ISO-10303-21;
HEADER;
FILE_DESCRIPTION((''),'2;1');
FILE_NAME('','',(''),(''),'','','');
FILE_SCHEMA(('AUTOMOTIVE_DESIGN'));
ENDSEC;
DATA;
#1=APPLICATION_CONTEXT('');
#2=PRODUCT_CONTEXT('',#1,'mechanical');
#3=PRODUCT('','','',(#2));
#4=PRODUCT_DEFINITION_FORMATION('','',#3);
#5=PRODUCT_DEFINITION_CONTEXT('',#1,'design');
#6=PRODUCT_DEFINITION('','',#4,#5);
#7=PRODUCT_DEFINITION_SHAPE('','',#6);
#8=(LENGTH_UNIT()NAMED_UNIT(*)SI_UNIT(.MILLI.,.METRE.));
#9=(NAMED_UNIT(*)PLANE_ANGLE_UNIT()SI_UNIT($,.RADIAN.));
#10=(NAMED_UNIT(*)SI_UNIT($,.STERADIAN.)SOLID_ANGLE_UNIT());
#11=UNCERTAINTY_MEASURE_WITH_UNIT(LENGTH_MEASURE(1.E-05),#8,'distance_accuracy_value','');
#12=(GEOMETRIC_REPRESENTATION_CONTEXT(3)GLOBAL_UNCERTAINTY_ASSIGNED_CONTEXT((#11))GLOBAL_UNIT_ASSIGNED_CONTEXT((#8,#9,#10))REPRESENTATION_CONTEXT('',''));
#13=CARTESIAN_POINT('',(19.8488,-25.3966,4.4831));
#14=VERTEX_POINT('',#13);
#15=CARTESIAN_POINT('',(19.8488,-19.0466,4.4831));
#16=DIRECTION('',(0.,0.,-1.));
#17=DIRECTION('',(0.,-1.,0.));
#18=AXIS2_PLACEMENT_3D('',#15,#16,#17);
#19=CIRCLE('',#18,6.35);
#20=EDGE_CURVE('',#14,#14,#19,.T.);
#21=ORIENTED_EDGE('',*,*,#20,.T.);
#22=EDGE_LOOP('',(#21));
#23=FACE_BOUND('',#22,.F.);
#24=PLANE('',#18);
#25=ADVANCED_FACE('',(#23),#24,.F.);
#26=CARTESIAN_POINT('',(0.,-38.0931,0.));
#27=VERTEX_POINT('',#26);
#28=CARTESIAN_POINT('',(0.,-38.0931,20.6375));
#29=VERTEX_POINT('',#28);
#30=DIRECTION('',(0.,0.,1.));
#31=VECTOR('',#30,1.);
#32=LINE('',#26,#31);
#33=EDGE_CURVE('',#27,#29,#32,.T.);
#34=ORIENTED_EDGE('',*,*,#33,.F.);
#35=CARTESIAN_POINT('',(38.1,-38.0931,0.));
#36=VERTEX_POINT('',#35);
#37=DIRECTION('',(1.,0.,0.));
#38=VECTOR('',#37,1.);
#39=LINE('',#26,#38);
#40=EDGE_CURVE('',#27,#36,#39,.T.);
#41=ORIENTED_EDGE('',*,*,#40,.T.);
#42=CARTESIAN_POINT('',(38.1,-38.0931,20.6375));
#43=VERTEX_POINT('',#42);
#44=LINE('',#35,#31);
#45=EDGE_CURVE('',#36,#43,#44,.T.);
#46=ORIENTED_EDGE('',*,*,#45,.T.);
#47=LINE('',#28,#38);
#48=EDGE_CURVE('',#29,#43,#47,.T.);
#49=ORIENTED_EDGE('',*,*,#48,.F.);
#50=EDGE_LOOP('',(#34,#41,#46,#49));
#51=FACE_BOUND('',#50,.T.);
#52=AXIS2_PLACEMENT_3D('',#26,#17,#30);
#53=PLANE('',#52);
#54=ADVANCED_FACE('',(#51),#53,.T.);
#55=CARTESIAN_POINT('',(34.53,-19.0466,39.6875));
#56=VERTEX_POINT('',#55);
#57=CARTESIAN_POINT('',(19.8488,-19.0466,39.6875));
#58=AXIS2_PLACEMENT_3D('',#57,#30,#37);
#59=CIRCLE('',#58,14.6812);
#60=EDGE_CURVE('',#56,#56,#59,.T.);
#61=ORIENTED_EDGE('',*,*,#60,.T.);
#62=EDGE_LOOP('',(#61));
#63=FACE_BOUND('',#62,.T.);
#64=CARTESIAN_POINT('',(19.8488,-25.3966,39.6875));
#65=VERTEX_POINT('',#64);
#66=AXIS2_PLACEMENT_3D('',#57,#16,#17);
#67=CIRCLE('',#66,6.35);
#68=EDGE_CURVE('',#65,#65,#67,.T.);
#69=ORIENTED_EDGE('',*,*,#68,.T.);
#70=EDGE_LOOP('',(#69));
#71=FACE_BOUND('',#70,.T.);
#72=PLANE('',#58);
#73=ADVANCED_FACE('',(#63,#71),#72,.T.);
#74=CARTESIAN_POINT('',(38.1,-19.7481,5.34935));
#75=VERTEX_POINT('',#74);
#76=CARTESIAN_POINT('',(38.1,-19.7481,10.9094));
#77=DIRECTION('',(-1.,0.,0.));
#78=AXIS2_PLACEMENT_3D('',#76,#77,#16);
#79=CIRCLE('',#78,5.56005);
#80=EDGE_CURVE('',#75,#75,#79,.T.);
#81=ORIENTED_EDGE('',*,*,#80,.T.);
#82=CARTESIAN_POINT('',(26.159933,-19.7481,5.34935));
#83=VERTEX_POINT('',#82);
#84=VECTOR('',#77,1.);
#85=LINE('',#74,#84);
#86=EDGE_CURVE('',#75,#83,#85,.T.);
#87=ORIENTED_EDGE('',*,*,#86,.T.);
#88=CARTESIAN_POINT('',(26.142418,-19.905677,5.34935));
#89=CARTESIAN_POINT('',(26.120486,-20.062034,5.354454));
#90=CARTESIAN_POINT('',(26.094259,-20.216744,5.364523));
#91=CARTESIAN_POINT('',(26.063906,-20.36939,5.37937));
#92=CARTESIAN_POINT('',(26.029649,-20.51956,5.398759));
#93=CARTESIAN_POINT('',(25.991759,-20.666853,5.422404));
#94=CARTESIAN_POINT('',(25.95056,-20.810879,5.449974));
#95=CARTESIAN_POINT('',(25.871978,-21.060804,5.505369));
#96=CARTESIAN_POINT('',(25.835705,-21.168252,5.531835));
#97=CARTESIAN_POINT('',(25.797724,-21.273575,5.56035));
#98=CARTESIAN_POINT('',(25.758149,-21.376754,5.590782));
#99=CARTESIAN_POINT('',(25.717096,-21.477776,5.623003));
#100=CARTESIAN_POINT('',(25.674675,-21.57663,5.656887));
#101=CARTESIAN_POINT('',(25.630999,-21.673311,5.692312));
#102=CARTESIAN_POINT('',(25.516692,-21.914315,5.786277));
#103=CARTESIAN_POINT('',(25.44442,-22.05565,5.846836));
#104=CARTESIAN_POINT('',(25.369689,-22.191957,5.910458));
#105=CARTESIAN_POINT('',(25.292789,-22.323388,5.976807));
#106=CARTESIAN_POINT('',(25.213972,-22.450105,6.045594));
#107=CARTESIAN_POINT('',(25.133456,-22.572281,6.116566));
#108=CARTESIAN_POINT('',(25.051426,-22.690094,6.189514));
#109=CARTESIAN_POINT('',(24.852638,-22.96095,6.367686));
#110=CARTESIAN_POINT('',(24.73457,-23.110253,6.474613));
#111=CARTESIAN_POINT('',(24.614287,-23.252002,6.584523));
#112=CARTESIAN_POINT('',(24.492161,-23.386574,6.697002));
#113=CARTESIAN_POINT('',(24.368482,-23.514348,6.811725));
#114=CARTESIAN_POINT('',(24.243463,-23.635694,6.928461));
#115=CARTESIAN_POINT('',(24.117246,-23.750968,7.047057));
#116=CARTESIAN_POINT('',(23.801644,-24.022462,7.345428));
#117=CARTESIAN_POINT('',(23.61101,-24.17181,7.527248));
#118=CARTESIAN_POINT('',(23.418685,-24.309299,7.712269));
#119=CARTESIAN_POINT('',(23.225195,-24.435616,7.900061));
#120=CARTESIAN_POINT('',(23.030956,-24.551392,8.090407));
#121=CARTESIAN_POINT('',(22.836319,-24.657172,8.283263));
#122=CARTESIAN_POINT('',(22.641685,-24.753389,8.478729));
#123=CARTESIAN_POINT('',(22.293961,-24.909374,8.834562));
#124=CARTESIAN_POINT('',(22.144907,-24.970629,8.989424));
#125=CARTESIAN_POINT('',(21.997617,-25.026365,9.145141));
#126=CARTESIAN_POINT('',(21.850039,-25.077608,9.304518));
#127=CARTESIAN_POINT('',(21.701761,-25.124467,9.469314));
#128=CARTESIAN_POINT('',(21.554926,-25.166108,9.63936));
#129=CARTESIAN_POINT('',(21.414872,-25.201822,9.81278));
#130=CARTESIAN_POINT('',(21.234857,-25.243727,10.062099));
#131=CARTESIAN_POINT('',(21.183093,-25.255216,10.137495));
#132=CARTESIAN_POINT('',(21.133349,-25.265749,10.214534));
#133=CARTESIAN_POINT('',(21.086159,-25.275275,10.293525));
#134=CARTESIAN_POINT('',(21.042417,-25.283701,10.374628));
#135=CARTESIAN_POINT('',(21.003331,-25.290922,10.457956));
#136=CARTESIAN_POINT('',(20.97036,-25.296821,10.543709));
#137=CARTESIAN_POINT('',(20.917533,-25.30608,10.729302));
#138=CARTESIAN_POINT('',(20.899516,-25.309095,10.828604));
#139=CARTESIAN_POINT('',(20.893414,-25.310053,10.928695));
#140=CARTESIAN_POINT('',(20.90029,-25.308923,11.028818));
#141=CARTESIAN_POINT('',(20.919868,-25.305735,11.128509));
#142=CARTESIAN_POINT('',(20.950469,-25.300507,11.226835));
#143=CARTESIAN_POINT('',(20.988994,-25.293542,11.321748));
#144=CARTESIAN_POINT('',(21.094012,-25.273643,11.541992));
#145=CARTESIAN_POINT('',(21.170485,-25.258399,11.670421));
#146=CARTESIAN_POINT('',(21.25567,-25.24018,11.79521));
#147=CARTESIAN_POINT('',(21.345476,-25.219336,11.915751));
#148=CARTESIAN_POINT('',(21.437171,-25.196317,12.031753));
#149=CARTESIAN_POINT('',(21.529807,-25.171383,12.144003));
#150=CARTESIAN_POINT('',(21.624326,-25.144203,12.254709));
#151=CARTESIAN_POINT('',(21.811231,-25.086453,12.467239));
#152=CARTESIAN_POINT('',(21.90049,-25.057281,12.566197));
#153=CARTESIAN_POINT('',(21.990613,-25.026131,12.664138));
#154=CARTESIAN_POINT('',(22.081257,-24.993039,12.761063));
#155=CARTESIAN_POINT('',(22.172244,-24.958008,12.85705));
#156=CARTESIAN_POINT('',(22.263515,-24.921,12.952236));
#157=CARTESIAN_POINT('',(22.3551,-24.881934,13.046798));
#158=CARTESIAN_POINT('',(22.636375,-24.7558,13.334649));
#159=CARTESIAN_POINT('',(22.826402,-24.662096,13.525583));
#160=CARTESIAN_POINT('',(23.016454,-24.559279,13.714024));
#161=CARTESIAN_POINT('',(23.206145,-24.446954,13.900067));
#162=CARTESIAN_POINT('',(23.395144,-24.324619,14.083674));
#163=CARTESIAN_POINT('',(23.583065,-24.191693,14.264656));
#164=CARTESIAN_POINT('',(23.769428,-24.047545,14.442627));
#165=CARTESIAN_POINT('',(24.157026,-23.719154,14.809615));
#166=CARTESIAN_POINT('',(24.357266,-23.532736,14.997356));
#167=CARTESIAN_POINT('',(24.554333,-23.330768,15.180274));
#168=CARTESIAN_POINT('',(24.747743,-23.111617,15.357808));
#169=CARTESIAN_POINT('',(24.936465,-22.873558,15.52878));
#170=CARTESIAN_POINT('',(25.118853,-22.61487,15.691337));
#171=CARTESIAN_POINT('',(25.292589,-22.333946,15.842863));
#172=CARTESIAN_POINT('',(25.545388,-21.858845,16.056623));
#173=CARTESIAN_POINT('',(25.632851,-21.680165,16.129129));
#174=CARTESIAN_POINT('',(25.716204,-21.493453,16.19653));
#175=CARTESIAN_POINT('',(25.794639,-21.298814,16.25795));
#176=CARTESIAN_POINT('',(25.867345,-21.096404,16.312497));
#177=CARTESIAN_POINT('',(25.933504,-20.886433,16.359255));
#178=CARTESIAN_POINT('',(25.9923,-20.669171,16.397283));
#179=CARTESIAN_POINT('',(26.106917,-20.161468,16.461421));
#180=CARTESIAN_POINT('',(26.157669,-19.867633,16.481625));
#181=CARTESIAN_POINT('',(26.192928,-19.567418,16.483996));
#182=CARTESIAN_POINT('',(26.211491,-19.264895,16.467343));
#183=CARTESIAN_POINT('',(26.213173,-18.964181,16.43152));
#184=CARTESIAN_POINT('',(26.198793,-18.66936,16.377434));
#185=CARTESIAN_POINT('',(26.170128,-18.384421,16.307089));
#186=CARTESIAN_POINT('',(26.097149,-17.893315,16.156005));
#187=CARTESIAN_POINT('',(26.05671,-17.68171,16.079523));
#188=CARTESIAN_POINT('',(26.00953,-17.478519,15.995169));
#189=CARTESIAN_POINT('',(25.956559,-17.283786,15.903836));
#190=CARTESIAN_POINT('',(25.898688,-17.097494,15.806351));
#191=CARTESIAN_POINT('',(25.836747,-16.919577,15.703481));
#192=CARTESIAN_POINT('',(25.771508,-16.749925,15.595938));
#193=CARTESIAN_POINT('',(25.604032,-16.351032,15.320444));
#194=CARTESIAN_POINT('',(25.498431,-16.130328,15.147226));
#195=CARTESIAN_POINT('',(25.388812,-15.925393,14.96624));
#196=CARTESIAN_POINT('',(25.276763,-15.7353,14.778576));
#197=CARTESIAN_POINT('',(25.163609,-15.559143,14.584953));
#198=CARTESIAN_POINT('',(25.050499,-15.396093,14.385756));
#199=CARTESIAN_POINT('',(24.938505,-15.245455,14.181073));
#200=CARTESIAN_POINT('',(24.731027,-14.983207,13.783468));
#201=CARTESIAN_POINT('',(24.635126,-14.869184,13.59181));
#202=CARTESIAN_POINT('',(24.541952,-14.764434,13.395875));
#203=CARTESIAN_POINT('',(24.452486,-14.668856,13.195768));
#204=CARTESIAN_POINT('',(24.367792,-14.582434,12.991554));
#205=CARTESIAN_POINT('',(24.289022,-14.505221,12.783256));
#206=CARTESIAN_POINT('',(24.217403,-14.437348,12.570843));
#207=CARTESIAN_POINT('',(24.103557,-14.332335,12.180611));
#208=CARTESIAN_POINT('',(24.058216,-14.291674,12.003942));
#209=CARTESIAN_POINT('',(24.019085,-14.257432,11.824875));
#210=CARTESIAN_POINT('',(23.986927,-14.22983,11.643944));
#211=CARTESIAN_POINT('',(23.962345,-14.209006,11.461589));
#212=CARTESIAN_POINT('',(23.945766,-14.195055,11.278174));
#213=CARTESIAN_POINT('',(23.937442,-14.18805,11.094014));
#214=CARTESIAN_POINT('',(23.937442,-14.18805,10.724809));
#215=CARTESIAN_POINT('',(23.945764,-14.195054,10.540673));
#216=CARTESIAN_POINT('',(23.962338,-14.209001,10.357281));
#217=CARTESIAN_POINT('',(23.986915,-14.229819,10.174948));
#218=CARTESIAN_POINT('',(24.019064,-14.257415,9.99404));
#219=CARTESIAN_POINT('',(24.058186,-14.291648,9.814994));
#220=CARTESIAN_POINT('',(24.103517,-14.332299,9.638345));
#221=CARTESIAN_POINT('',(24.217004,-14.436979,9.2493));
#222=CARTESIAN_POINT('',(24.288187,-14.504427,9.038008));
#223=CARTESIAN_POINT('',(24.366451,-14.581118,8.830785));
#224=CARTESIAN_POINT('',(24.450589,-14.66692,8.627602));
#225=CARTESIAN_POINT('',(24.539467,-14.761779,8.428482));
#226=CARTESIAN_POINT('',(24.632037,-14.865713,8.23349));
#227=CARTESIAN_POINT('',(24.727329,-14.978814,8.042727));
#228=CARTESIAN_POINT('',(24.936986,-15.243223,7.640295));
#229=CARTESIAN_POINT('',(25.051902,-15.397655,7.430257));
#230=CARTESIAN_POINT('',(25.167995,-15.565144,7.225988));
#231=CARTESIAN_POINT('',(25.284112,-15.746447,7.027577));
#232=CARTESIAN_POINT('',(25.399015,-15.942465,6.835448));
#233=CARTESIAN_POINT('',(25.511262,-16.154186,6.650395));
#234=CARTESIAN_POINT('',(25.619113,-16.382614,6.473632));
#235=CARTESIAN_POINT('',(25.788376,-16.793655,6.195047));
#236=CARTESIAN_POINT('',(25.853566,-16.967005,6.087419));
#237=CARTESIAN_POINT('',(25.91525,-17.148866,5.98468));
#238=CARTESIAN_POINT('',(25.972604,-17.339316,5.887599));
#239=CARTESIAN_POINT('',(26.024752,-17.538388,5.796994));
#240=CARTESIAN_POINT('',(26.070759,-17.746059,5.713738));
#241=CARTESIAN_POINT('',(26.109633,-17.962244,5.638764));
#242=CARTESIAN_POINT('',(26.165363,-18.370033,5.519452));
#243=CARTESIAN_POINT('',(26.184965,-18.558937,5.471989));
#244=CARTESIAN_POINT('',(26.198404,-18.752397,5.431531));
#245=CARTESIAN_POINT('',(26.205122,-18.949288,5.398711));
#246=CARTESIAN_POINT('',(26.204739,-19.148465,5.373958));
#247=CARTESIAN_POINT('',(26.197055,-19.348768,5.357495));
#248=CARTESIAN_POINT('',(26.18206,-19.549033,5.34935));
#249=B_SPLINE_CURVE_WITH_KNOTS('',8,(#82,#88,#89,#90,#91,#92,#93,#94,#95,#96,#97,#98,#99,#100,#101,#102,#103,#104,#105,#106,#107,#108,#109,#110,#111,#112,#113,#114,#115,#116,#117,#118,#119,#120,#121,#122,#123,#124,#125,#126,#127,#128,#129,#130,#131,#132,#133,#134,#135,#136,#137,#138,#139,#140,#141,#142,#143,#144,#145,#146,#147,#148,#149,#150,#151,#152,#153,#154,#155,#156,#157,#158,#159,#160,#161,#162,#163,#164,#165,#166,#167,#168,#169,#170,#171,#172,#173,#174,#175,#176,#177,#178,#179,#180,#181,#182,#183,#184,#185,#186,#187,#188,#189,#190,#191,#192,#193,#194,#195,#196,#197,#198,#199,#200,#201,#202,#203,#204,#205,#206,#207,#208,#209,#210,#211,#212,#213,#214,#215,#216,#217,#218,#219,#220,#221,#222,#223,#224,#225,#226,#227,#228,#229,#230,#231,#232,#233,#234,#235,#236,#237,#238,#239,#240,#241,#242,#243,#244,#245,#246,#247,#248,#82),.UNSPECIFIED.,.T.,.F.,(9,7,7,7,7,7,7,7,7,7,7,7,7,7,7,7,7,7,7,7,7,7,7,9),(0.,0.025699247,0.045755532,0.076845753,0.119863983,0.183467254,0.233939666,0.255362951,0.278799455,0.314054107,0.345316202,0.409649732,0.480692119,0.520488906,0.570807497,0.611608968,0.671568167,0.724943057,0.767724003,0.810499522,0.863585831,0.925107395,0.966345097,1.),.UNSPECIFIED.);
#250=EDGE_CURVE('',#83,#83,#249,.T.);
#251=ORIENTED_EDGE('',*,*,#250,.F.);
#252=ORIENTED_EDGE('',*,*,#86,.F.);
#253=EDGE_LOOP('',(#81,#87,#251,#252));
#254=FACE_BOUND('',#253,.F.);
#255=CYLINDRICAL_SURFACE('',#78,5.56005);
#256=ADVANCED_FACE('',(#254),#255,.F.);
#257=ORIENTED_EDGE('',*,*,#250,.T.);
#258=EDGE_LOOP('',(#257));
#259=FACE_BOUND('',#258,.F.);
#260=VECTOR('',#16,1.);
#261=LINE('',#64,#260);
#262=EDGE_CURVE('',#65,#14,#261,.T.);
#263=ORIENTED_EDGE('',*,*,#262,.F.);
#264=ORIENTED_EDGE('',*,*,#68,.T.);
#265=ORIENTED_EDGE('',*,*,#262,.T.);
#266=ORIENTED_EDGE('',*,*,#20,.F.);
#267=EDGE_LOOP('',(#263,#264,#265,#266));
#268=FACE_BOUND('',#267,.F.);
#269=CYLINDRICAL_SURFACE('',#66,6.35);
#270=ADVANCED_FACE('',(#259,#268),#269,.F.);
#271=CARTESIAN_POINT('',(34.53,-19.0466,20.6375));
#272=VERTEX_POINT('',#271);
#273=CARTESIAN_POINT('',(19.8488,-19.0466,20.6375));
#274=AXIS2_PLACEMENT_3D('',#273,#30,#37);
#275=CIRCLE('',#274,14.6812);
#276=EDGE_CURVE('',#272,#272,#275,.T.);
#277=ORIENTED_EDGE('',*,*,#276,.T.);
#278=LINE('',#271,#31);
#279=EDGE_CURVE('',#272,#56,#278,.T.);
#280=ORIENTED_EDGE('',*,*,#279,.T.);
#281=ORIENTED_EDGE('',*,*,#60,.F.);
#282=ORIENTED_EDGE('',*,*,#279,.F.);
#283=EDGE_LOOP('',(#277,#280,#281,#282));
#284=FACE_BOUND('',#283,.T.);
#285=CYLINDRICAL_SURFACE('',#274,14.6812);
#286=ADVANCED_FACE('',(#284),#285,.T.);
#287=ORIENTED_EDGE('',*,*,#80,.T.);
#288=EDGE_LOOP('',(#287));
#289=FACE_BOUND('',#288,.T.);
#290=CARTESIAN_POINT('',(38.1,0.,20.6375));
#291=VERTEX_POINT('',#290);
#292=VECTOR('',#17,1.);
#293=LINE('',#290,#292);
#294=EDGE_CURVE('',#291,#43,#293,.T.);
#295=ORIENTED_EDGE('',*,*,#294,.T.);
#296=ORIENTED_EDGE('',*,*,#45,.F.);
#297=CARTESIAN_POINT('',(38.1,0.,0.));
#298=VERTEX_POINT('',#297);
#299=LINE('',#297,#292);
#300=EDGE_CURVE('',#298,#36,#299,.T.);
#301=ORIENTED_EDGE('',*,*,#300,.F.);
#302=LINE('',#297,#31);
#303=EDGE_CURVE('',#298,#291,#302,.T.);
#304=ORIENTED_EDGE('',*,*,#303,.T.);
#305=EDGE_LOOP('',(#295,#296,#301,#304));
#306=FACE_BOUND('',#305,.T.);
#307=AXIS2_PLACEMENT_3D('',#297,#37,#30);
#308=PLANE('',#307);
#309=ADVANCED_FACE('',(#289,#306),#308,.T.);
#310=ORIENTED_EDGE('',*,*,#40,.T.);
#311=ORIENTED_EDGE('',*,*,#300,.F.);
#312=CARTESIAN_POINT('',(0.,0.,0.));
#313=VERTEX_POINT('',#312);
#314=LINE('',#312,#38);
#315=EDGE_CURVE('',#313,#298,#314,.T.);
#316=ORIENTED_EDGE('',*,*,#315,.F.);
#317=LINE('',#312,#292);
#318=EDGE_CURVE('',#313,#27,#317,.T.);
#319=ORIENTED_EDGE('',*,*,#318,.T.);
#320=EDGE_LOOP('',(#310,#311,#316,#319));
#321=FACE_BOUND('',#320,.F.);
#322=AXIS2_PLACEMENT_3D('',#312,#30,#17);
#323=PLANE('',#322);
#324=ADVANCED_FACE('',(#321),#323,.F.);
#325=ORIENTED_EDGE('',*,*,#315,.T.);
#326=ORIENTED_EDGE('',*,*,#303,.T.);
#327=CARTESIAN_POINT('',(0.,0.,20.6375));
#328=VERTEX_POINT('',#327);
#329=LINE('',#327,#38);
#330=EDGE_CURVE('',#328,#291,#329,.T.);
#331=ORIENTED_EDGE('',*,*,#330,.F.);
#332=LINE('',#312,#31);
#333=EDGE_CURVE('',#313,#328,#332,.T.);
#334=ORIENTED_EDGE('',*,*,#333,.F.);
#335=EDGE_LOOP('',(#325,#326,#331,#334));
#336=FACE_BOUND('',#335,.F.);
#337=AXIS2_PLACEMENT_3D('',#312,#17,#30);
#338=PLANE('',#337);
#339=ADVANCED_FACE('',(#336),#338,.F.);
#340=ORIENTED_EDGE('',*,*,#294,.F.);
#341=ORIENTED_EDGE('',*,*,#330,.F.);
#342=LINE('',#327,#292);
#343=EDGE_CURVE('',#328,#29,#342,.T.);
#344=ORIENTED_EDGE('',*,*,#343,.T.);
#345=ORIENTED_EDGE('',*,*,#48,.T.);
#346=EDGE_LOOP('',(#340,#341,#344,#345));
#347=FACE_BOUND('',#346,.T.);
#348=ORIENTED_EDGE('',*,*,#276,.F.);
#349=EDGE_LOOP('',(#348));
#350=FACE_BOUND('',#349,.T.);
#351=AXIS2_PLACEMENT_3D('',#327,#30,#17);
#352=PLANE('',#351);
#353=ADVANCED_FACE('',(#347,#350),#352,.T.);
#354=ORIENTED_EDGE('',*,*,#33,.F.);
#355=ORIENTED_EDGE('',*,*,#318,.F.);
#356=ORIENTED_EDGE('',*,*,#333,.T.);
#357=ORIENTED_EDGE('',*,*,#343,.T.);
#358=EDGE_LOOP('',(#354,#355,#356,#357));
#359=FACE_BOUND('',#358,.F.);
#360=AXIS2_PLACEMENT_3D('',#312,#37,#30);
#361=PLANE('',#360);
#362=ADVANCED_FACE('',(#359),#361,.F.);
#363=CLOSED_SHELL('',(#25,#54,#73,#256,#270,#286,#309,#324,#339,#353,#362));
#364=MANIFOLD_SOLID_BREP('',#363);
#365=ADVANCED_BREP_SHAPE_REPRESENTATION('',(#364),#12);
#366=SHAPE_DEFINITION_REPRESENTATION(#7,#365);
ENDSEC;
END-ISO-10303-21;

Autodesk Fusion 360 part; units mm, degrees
box "BoxPrimitive1" add length 38.0931 width 38.1 height 20.6375 placed x (0, -1, 0) y (1, 0, 0) z (0, 0, 1) at (0, 0, 0)
cylinder "CylinderPrimitive1" add diameter 29.3624 height 19.05 placed x (1, 0, 0) y (0, 1, 0) z (0, 0, 1) at (19.8488, -19.0466, 20.6375)
hole "Hole1" at (19.8488, -19.0466, 39.6875) direction (0, 0, -1) diameter 12.7 depth 35.2044 tip angle 180
hole "Hole2" at (38.1, -19.7481, 10.9094) direction (-1, 0, 0) diameter 11.1201 depth 18.1864 tip angle 180
